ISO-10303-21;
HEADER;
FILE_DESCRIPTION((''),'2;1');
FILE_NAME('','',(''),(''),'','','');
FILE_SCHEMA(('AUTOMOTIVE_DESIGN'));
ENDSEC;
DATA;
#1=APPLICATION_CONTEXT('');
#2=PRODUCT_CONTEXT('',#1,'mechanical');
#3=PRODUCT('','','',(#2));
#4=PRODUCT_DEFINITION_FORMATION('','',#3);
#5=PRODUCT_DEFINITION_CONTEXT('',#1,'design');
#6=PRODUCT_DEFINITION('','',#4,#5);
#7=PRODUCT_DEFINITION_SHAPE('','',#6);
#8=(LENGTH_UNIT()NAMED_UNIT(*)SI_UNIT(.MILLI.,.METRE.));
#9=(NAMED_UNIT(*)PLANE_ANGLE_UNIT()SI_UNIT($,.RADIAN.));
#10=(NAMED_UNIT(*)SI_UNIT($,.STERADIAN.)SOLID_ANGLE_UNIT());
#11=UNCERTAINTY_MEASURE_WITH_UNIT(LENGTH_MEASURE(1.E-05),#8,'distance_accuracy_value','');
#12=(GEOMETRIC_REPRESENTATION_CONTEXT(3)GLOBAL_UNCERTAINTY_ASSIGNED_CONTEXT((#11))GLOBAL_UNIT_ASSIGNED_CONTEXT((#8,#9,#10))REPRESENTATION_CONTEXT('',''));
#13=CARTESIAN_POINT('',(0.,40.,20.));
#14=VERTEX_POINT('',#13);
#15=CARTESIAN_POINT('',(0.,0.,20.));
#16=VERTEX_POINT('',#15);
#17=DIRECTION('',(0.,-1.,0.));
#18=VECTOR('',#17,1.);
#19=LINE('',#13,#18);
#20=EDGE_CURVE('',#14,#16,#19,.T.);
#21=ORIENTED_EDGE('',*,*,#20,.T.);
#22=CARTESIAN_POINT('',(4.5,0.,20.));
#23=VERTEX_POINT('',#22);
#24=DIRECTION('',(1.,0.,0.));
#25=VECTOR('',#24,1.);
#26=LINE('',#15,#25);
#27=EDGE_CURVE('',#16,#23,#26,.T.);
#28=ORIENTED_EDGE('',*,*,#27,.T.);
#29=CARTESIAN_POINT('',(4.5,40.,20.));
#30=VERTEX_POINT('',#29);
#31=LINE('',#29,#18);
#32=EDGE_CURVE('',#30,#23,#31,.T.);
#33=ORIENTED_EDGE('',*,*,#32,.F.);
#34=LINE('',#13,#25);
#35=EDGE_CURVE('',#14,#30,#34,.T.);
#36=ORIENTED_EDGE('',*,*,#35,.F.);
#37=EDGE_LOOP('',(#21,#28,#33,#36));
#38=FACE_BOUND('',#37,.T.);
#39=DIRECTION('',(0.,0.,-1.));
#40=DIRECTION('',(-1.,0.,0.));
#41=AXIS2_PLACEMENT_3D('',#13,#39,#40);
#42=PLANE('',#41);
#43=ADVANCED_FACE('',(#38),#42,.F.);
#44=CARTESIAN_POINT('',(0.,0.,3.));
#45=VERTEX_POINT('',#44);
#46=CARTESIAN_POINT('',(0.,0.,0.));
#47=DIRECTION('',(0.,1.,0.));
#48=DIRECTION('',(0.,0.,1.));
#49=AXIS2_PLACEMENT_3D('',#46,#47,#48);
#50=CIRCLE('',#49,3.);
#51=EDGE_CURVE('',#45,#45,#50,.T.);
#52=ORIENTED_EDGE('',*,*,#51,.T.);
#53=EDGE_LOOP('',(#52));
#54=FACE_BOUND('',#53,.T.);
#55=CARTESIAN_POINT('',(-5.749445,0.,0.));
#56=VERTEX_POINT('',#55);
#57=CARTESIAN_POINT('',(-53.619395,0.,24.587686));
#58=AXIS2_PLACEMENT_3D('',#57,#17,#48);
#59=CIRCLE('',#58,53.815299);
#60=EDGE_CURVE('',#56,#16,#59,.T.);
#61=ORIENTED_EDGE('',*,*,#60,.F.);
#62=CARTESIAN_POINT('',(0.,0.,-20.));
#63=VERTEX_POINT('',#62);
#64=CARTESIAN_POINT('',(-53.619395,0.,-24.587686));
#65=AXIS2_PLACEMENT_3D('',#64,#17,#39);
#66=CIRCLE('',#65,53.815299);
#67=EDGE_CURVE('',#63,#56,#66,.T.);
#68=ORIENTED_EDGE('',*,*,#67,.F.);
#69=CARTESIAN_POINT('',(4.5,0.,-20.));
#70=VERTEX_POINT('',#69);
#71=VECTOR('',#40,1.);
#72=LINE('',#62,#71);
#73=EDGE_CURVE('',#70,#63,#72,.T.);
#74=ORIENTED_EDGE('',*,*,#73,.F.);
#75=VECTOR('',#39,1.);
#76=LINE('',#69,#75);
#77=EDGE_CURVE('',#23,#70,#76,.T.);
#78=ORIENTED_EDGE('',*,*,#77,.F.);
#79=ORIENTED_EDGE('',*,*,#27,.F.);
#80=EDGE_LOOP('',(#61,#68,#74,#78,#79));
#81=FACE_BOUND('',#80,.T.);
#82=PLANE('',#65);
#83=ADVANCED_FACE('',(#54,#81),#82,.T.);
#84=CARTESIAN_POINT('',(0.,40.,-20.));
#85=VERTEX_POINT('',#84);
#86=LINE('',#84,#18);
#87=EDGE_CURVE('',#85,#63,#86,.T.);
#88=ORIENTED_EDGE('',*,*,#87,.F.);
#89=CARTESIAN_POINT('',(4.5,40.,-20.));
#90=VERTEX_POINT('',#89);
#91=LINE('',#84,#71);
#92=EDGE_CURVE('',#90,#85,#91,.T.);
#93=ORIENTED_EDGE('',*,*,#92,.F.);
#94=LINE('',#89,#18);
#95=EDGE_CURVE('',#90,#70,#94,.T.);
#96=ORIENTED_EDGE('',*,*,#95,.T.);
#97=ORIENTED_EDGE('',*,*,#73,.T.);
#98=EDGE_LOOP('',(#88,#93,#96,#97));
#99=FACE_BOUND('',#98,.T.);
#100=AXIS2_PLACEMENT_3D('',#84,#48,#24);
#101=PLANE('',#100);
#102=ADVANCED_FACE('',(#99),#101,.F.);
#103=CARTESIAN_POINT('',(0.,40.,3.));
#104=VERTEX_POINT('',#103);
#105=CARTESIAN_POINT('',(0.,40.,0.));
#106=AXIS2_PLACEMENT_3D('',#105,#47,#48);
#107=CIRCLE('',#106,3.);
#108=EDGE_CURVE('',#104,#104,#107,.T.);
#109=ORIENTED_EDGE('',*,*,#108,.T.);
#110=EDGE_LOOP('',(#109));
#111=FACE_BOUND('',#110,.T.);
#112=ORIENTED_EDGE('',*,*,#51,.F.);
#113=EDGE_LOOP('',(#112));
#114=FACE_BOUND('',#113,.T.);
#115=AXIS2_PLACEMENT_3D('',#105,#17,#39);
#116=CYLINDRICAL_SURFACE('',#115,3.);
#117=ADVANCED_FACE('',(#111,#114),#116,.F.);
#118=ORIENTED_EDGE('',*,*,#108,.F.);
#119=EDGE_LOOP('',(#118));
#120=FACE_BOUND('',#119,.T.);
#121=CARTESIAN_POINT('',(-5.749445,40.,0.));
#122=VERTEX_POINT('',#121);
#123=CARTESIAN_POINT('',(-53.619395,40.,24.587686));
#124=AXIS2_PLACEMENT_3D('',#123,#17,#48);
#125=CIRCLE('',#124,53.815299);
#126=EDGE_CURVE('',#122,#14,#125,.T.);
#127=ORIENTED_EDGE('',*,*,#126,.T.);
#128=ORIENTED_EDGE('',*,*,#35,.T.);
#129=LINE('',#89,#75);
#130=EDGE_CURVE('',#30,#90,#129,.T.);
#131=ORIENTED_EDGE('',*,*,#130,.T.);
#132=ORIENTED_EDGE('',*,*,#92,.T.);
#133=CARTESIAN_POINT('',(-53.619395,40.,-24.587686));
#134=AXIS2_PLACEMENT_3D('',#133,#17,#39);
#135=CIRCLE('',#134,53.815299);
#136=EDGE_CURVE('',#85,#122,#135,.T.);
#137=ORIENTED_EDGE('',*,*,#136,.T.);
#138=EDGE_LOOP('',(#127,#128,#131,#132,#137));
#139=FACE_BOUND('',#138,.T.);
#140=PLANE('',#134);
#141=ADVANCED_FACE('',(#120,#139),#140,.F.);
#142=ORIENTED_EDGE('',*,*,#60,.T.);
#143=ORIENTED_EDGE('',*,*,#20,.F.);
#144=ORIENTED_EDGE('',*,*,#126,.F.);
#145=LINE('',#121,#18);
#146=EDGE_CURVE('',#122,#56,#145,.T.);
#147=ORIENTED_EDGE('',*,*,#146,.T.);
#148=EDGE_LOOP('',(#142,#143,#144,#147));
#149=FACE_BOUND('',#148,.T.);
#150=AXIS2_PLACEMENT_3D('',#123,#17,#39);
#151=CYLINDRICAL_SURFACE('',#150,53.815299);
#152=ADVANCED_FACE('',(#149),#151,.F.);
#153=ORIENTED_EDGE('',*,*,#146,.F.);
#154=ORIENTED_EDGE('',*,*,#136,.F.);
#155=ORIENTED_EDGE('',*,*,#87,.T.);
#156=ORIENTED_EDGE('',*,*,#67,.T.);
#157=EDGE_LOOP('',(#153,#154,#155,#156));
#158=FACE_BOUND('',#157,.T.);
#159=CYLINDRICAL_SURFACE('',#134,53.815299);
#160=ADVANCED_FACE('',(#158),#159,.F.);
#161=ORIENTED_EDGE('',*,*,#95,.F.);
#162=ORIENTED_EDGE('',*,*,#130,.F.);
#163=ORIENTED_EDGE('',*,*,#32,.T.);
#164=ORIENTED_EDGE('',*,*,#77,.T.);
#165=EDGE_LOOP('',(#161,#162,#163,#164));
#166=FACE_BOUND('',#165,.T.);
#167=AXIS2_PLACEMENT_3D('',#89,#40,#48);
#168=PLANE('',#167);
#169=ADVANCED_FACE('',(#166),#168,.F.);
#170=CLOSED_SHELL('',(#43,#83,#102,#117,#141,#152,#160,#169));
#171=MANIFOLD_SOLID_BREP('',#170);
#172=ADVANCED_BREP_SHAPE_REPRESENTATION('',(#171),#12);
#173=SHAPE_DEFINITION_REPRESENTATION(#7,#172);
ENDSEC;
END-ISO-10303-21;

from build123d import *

# Parameters (mm, degrees)
SKETCH1_R           = 3
BOSS_EXTRUDE1_DEPTH = 40


with BuildPart() as part:
    # Sketch1 → Boss-Extrude1 (new body)
    with BuildSketch(Plane(origin=(0, 0, 0), x_dir=(1, 0, 0), z_dir=(0, 1, 0))):
        with BuildLine():
            Line((0, 20), (4.5, 20))
            Line((4.5, 20), (4.5, -20))
            Line((4.5, -20), (0, -20))
            ThreePointArc((0, -20), (-1.898782269, -9.719444247), (-5.749445099, 0))
            ThreePointArc((-5.749445099, 0), (-1.898782269, 9.719444247), (0, 20))
        make_face()
        with Locations(Location((0, 0, 0), (0, 0, 270))):
            Circle(SKETCH1_R, mode=Mode.SUBTRACT)
    extrude(amount=BOSS_EXTRUDE1_DEPTH)


solid = part.part
